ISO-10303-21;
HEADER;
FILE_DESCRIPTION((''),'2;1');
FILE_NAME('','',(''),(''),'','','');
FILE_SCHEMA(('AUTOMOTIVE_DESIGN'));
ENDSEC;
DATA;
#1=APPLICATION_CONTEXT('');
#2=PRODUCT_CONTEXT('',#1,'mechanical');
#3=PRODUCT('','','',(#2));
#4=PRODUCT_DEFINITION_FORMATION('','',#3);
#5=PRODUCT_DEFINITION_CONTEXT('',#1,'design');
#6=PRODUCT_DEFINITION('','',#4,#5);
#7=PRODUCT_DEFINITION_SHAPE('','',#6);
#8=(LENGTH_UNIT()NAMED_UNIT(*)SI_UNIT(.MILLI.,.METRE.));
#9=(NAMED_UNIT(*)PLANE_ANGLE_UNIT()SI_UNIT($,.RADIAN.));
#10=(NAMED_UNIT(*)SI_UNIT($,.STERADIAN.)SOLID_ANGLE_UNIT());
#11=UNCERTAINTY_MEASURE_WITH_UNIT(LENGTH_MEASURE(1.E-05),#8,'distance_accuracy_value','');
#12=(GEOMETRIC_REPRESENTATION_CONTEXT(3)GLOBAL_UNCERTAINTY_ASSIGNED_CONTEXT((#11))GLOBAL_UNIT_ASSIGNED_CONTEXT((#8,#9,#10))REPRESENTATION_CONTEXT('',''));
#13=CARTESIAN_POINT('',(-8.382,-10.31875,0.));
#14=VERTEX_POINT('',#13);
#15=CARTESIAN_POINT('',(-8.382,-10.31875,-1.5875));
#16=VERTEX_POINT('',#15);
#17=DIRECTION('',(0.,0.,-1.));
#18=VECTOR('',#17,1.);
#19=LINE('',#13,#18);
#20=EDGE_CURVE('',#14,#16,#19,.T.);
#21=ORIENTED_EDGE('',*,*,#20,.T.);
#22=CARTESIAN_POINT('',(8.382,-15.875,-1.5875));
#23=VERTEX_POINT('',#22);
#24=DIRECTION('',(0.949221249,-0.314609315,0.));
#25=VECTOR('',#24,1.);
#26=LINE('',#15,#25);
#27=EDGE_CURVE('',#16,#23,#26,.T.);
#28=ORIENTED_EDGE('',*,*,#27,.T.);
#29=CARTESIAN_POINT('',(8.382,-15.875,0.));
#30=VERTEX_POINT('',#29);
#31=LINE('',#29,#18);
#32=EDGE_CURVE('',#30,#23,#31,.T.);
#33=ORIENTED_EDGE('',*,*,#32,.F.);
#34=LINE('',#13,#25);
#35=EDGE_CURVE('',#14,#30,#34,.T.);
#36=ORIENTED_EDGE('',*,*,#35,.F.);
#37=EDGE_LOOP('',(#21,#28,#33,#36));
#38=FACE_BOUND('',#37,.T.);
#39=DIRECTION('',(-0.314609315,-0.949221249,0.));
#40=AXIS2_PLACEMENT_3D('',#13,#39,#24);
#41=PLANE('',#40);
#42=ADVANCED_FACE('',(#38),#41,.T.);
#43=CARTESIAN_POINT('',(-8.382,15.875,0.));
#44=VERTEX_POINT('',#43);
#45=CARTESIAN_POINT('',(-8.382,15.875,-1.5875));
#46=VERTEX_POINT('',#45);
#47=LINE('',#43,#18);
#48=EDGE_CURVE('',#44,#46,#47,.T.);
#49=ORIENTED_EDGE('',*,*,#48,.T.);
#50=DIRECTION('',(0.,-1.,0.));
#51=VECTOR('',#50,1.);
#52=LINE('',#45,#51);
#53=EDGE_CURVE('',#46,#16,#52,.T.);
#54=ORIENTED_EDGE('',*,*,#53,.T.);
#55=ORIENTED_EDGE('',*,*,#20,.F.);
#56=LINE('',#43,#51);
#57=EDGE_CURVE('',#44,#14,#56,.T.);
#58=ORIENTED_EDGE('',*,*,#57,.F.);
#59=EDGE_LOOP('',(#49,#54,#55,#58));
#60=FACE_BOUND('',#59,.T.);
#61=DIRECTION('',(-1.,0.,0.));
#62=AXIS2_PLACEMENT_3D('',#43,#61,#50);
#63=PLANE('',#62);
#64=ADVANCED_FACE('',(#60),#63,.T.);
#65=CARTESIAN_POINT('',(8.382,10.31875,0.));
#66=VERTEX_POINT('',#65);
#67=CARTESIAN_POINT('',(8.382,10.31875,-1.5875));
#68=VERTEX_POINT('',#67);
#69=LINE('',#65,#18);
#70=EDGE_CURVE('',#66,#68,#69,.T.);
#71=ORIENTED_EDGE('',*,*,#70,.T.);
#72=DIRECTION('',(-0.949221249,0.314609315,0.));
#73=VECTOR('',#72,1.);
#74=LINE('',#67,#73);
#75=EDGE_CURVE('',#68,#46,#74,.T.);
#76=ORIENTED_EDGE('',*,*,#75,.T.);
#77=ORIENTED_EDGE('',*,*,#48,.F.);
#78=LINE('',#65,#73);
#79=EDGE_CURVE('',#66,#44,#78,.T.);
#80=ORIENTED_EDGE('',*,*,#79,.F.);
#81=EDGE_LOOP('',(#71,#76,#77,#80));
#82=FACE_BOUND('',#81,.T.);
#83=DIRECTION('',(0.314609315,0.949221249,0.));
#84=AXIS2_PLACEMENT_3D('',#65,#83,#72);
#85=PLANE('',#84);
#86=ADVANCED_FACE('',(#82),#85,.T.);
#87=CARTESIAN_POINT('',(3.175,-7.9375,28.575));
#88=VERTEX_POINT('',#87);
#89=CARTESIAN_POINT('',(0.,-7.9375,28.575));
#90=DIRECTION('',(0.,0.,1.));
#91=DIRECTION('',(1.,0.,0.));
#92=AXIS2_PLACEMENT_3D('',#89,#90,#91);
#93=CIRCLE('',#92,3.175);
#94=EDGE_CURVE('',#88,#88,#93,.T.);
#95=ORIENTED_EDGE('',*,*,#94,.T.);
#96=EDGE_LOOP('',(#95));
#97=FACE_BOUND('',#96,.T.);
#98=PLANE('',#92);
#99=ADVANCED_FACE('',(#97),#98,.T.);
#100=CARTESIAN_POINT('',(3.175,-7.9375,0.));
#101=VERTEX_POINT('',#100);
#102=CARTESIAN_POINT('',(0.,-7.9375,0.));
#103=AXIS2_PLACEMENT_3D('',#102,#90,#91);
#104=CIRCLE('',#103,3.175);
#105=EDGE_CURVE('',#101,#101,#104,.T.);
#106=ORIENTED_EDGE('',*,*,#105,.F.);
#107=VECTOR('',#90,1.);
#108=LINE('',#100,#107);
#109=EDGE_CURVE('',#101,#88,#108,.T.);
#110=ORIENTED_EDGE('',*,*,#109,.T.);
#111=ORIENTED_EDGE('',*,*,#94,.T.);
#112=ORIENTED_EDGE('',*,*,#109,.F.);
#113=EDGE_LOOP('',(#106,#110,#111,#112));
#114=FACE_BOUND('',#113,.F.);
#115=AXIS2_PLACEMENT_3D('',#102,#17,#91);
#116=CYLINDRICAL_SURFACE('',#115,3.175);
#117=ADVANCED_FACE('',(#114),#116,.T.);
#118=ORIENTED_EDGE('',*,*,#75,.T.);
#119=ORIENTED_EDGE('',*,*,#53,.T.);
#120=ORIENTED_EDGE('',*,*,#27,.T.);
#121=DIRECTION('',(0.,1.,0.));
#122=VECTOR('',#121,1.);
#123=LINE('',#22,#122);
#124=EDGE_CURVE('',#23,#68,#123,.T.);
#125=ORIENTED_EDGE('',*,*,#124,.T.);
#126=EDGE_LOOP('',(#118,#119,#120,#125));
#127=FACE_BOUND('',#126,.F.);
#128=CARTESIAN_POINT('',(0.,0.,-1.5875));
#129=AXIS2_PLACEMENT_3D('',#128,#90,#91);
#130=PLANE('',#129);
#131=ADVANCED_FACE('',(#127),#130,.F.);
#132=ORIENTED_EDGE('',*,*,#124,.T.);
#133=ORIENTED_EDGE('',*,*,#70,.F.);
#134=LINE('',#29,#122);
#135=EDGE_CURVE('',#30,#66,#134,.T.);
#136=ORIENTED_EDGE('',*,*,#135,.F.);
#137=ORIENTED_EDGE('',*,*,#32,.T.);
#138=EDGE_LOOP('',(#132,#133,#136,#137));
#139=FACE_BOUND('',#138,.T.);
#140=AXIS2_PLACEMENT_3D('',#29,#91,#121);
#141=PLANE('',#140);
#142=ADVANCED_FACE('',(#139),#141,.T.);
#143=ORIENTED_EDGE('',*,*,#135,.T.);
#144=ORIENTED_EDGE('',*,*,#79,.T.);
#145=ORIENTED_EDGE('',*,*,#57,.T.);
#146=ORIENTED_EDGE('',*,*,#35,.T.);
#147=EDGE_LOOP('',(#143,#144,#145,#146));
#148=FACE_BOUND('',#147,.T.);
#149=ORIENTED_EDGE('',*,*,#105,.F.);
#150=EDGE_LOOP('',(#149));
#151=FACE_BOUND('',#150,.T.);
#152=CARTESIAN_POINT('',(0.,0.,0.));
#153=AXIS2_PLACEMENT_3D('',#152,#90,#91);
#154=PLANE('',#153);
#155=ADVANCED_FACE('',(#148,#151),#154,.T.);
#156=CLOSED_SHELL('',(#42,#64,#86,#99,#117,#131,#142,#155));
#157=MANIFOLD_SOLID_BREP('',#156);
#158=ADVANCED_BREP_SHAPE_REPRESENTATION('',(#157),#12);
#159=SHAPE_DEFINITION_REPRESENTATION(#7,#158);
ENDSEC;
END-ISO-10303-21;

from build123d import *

# Parameters (mm, degrees)
F1_DEPTH = 1.5875
F2_R     = 3.175
F3_DEPTH = 28.575


with BuildPart() as f1:
    # F0 (on Top) → F1 (new body)
    with BuildSketch(Plane.XY):
        Polygon((-8.382, -10.31875), (8.382, -15.875), (8.382, 10.31875), (-8.382, 15.875), align=None)
    extrude(amount=-F1_DEPTH)

    # F2 (on Top) → F3 (join)
    with BuildSketch(Plane.XY):
        with Locations((0, -7.9375)):
            Circle(F2_R)
    extrude(amount=F3_DEPTH)


solid = f1.part
